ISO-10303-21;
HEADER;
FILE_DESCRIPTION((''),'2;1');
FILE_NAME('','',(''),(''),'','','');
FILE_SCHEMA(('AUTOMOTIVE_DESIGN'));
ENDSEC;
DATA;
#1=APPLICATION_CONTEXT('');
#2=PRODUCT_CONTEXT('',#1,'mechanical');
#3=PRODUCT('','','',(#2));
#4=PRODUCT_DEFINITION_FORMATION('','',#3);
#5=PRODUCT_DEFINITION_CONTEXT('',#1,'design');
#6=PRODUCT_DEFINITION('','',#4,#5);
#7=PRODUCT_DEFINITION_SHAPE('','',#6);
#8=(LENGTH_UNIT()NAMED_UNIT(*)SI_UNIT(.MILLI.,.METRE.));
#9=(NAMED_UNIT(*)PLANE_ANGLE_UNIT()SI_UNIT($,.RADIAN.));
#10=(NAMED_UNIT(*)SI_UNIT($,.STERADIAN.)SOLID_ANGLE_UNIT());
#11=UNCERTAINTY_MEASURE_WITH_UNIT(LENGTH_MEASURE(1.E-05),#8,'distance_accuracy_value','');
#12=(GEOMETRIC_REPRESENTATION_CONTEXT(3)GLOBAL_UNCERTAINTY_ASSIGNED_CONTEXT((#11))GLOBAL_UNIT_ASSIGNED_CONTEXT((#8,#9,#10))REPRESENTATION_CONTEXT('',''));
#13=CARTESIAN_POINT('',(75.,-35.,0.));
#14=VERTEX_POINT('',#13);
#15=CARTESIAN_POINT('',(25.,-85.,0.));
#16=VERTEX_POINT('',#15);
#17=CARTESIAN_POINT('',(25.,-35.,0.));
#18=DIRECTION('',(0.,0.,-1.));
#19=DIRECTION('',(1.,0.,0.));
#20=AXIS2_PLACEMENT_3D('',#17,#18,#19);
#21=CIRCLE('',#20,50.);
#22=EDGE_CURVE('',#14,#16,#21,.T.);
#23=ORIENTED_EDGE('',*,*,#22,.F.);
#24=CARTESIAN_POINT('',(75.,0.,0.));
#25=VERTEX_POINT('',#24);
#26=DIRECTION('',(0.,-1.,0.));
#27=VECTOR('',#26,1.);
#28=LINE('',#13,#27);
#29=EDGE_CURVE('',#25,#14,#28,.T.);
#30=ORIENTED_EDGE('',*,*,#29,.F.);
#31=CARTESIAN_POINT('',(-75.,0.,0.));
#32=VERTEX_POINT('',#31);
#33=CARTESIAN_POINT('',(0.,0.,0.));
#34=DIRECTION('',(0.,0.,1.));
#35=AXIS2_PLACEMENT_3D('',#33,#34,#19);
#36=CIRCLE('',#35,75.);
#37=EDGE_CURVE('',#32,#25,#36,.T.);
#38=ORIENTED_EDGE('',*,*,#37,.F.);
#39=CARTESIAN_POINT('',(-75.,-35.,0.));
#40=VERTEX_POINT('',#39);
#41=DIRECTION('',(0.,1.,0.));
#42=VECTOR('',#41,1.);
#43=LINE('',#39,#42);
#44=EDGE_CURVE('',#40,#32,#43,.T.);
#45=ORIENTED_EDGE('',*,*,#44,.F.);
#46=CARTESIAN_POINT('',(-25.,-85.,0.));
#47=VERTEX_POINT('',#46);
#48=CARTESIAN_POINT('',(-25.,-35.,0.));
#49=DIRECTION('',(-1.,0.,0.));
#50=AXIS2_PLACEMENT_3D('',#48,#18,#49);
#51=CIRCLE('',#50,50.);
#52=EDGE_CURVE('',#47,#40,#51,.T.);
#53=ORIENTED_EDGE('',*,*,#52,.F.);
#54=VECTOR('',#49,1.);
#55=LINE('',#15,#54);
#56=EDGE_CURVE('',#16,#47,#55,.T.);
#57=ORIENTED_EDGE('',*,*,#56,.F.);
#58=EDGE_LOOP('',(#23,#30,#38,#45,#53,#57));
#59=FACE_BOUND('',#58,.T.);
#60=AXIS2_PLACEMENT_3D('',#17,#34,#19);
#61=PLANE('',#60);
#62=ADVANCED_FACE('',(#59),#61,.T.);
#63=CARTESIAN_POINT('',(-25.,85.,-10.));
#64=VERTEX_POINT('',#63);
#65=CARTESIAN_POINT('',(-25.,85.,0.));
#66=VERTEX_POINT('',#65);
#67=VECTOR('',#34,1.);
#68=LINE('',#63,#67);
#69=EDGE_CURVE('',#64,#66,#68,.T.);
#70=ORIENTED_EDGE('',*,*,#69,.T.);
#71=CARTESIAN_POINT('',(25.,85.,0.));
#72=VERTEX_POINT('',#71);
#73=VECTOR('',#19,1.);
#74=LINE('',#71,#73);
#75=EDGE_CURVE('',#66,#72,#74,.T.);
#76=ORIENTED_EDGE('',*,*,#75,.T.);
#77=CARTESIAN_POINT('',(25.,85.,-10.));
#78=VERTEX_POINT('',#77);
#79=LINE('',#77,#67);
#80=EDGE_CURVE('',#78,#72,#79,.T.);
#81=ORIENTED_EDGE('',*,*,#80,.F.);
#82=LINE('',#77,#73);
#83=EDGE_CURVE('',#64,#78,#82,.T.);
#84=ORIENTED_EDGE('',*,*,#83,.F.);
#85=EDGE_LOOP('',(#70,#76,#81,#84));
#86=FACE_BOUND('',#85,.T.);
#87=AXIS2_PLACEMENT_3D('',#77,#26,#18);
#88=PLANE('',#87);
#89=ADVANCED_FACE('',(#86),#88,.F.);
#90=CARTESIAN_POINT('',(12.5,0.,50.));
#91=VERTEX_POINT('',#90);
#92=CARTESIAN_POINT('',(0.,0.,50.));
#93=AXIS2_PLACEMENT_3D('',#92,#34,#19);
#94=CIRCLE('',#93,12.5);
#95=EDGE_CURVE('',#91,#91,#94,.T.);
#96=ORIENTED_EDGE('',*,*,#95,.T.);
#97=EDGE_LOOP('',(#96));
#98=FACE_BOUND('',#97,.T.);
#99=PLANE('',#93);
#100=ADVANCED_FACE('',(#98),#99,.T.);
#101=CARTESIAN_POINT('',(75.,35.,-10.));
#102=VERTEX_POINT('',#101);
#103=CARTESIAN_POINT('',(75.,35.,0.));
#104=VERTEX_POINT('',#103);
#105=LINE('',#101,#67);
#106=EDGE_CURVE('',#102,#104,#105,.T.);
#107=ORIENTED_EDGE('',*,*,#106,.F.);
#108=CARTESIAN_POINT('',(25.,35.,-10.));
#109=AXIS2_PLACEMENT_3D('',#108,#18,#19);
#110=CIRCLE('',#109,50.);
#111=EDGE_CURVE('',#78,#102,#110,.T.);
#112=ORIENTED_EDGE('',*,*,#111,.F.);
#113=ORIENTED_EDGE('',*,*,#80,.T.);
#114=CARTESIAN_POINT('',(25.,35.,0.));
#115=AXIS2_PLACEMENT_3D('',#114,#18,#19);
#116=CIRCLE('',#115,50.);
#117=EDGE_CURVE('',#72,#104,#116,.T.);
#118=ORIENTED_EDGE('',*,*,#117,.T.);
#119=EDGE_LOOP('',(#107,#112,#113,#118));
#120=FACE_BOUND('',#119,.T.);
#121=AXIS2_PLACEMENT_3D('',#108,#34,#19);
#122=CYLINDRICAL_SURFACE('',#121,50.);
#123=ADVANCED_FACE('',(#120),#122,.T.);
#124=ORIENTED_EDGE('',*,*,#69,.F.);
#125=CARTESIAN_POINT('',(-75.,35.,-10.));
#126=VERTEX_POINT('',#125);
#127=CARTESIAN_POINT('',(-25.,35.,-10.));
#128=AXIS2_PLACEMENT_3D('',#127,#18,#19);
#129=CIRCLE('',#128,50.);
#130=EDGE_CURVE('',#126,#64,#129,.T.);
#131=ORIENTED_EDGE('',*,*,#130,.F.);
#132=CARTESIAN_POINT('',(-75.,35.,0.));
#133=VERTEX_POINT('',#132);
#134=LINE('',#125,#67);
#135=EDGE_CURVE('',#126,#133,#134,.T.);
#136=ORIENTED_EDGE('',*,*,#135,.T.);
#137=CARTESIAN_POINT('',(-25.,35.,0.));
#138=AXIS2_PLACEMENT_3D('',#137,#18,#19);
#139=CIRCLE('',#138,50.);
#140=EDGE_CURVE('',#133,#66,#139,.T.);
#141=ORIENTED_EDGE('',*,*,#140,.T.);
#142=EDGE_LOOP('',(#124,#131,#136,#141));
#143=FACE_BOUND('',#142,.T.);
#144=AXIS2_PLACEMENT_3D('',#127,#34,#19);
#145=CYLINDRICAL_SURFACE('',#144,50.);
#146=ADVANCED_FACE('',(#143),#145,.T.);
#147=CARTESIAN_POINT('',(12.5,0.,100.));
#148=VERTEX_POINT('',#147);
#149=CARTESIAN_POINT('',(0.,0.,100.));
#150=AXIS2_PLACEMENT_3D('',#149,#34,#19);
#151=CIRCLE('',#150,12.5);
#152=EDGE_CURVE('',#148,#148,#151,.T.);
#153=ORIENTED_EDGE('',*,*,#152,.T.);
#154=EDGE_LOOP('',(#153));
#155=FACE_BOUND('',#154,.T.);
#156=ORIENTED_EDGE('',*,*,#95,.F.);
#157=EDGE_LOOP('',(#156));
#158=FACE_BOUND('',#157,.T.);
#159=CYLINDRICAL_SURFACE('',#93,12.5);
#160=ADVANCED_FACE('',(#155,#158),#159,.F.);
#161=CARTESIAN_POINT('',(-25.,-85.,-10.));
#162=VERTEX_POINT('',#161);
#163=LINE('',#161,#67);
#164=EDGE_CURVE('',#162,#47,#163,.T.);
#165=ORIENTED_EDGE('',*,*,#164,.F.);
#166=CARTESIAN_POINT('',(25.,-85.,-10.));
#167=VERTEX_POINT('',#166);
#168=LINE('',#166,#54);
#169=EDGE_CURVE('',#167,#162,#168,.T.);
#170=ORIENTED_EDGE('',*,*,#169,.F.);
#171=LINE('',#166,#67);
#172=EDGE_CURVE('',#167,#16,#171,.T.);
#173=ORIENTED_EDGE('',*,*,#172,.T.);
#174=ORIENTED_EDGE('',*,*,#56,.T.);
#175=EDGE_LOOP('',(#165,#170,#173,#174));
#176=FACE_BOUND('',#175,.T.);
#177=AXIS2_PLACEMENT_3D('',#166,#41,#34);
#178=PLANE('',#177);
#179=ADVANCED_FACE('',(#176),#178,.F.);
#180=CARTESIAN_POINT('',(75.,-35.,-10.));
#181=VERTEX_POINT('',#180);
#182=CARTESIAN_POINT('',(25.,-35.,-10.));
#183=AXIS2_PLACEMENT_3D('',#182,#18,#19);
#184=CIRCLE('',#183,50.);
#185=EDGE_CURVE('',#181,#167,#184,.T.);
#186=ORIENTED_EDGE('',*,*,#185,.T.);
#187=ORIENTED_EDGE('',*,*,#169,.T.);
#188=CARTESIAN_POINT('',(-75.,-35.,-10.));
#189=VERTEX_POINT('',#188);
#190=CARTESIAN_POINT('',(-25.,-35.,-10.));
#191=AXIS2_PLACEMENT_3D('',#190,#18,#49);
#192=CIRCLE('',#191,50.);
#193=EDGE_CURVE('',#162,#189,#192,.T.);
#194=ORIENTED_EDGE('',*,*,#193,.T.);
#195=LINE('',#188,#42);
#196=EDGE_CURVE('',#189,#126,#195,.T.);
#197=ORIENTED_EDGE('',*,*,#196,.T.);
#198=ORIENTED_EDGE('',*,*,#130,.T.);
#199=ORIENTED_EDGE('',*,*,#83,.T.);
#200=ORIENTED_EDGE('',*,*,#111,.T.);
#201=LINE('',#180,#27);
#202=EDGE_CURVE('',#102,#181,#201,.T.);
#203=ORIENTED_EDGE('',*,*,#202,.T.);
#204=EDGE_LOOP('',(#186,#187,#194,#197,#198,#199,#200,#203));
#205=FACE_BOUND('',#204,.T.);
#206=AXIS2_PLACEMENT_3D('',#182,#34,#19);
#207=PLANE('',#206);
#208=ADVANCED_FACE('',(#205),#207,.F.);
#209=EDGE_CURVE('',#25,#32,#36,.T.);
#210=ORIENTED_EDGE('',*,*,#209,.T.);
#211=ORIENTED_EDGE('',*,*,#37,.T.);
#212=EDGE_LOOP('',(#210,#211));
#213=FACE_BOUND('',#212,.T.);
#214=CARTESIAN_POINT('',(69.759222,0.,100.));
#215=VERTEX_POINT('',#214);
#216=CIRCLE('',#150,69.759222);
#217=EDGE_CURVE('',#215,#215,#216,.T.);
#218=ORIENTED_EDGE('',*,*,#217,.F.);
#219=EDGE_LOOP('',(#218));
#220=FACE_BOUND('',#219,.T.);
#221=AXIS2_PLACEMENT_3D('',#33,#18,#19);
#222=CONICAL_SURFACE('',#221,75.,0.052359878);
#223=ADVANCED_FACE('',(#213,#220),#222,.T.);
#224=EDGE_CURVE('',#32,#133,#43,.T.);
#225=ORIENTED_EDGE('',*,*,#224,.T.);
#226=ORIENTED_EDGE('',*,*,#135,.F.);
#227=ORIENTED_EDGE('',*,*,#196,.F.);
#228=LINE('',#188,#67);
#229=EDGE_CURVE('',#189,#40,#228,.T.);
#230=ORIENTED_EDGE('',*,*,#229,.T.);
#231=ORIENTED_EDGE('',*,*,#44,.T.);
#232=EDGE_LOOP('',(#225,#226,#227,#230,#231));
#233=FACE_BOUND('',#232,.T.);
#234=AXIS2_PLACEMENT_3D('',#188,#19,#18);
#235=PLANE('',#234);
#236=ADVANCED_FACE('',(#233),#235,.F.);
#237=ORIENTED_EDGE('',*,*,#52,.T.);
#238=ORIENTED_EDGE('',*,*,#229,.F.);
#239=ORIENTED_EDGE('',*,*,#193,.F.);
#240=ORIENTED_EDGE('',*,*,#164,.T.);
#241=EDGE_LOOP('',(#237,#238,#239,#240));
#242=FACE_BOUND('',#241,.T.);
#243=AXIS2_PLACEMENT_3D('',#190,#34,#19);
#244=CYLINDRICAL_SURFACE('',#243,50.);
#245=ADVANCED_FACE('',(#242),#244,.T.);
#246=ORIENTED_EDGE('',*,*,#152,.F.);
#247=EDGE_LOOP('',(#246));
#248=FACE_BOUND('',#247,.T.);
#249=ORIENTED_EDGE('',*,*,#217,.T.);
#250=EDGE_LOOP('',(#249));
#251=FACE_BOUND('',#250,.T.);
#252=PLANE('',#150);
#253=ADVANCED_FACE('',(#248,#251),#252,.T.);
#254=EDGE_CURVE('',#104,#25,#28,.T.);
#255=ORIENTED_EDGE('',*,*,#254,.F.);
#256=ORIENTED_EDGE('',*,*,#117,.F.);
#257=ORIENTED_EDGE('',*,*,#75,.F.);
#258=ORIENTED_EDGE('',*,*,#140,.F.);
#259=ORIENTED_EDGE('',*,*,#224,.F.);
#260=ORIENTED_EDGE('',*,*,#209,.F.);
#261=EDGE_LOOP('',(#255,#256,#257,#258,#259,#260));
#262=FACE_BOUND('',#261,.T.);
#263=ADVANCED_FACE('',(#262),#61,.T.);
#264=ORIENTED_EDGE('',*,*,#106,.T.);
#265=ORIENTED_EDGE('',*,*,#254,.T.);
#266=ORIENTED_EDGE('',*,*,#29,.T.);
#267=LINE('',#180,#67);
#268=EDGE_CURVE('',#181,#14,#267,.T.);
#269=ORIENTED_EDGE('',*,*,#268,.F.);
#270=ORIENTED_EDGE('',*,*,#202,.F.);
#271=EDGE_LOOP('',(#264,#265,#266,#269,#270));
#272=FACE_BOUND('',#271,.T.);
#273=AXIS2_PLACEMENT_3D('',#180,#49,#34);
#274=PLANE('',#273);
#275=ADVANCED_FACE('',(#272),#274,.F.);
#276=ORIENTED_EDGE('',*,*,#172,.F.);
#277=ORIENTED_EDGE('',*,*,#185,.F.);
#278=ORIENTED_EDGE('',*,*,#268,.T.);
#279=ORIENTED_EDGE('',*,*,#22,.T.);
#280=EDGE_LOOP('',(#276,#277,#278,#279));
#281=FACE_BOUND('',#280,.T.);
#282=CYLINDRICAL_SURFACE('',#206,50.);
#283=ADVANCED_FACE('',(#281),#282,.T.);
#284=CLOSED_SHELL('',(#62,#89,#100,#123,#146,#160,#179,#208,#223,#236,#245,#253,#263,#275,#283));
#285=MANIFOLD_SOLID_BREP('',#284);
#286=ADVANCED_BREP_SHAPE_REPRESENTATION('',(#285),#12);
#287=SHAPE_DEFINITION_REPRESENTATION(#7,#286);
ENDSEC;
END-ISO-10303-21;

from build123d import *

# Parameters (mm, degrees)
SKETCH1_R           = 75
BOSS_EXTRUDE1_DEPTH = 100
BOSS_EXTRUDE1_TAPER = 3
BOSS_EXTRUDE2_DEPTH = 10
SKETCH3_R           = 12.5
CUT_EXTRUDE1_DEPTH  = 50


with BuildPart() as part:
    # Sketch1 → Boss-Extrude1 (new body)
    with BuildSketch(Plane.XY):
        Circle(SKETCH1_R)
    extrude(amount=BOSS_EXTRUDE1_DEPTH, taper=BOSS_EXTRUDE1_TAPER)

    # Sketch2 → Boss-Extrude2 (add)
    with BuildSketch(Plane(origin=(0, 0, 0), x_dir=(-1, 0, 0), z_dir=(0, 0, -1))):
        with BuildLine():
            Line((-25, -85), (25, -85))
            ThreePointArc((25, -85), (60.355339059, -70.355339059), (75, -35))
            Line((75, -35), (75, 35))
            ThreePointArc((75, 35), (60.355339059, 70.355339059), (25, 85))
            Line((25, 85), (-25, 85))
            ThreePointArc((-25, 85), (-60.355339059, 70.355339059), (-75, 35))
            Line((-75, 35), (-75, -35))
            ThreePointArc((-75, -35), (-60.355339059, -70.355339059), (-25, -85))
        make_face()
    extrude(amount=BOSS_EXTRUDE2_DEPTH)

    # Sketch3 → Cut-Extrude1 (cut)
    with BuildSketch(Plane.XY.offset(100)):
        Circle(SKETCH3_R)
    extrude(amount=-CUT_EXTRUDE1_DEPTH, mode=Mode.SUBTRACT)


solid = part.part
